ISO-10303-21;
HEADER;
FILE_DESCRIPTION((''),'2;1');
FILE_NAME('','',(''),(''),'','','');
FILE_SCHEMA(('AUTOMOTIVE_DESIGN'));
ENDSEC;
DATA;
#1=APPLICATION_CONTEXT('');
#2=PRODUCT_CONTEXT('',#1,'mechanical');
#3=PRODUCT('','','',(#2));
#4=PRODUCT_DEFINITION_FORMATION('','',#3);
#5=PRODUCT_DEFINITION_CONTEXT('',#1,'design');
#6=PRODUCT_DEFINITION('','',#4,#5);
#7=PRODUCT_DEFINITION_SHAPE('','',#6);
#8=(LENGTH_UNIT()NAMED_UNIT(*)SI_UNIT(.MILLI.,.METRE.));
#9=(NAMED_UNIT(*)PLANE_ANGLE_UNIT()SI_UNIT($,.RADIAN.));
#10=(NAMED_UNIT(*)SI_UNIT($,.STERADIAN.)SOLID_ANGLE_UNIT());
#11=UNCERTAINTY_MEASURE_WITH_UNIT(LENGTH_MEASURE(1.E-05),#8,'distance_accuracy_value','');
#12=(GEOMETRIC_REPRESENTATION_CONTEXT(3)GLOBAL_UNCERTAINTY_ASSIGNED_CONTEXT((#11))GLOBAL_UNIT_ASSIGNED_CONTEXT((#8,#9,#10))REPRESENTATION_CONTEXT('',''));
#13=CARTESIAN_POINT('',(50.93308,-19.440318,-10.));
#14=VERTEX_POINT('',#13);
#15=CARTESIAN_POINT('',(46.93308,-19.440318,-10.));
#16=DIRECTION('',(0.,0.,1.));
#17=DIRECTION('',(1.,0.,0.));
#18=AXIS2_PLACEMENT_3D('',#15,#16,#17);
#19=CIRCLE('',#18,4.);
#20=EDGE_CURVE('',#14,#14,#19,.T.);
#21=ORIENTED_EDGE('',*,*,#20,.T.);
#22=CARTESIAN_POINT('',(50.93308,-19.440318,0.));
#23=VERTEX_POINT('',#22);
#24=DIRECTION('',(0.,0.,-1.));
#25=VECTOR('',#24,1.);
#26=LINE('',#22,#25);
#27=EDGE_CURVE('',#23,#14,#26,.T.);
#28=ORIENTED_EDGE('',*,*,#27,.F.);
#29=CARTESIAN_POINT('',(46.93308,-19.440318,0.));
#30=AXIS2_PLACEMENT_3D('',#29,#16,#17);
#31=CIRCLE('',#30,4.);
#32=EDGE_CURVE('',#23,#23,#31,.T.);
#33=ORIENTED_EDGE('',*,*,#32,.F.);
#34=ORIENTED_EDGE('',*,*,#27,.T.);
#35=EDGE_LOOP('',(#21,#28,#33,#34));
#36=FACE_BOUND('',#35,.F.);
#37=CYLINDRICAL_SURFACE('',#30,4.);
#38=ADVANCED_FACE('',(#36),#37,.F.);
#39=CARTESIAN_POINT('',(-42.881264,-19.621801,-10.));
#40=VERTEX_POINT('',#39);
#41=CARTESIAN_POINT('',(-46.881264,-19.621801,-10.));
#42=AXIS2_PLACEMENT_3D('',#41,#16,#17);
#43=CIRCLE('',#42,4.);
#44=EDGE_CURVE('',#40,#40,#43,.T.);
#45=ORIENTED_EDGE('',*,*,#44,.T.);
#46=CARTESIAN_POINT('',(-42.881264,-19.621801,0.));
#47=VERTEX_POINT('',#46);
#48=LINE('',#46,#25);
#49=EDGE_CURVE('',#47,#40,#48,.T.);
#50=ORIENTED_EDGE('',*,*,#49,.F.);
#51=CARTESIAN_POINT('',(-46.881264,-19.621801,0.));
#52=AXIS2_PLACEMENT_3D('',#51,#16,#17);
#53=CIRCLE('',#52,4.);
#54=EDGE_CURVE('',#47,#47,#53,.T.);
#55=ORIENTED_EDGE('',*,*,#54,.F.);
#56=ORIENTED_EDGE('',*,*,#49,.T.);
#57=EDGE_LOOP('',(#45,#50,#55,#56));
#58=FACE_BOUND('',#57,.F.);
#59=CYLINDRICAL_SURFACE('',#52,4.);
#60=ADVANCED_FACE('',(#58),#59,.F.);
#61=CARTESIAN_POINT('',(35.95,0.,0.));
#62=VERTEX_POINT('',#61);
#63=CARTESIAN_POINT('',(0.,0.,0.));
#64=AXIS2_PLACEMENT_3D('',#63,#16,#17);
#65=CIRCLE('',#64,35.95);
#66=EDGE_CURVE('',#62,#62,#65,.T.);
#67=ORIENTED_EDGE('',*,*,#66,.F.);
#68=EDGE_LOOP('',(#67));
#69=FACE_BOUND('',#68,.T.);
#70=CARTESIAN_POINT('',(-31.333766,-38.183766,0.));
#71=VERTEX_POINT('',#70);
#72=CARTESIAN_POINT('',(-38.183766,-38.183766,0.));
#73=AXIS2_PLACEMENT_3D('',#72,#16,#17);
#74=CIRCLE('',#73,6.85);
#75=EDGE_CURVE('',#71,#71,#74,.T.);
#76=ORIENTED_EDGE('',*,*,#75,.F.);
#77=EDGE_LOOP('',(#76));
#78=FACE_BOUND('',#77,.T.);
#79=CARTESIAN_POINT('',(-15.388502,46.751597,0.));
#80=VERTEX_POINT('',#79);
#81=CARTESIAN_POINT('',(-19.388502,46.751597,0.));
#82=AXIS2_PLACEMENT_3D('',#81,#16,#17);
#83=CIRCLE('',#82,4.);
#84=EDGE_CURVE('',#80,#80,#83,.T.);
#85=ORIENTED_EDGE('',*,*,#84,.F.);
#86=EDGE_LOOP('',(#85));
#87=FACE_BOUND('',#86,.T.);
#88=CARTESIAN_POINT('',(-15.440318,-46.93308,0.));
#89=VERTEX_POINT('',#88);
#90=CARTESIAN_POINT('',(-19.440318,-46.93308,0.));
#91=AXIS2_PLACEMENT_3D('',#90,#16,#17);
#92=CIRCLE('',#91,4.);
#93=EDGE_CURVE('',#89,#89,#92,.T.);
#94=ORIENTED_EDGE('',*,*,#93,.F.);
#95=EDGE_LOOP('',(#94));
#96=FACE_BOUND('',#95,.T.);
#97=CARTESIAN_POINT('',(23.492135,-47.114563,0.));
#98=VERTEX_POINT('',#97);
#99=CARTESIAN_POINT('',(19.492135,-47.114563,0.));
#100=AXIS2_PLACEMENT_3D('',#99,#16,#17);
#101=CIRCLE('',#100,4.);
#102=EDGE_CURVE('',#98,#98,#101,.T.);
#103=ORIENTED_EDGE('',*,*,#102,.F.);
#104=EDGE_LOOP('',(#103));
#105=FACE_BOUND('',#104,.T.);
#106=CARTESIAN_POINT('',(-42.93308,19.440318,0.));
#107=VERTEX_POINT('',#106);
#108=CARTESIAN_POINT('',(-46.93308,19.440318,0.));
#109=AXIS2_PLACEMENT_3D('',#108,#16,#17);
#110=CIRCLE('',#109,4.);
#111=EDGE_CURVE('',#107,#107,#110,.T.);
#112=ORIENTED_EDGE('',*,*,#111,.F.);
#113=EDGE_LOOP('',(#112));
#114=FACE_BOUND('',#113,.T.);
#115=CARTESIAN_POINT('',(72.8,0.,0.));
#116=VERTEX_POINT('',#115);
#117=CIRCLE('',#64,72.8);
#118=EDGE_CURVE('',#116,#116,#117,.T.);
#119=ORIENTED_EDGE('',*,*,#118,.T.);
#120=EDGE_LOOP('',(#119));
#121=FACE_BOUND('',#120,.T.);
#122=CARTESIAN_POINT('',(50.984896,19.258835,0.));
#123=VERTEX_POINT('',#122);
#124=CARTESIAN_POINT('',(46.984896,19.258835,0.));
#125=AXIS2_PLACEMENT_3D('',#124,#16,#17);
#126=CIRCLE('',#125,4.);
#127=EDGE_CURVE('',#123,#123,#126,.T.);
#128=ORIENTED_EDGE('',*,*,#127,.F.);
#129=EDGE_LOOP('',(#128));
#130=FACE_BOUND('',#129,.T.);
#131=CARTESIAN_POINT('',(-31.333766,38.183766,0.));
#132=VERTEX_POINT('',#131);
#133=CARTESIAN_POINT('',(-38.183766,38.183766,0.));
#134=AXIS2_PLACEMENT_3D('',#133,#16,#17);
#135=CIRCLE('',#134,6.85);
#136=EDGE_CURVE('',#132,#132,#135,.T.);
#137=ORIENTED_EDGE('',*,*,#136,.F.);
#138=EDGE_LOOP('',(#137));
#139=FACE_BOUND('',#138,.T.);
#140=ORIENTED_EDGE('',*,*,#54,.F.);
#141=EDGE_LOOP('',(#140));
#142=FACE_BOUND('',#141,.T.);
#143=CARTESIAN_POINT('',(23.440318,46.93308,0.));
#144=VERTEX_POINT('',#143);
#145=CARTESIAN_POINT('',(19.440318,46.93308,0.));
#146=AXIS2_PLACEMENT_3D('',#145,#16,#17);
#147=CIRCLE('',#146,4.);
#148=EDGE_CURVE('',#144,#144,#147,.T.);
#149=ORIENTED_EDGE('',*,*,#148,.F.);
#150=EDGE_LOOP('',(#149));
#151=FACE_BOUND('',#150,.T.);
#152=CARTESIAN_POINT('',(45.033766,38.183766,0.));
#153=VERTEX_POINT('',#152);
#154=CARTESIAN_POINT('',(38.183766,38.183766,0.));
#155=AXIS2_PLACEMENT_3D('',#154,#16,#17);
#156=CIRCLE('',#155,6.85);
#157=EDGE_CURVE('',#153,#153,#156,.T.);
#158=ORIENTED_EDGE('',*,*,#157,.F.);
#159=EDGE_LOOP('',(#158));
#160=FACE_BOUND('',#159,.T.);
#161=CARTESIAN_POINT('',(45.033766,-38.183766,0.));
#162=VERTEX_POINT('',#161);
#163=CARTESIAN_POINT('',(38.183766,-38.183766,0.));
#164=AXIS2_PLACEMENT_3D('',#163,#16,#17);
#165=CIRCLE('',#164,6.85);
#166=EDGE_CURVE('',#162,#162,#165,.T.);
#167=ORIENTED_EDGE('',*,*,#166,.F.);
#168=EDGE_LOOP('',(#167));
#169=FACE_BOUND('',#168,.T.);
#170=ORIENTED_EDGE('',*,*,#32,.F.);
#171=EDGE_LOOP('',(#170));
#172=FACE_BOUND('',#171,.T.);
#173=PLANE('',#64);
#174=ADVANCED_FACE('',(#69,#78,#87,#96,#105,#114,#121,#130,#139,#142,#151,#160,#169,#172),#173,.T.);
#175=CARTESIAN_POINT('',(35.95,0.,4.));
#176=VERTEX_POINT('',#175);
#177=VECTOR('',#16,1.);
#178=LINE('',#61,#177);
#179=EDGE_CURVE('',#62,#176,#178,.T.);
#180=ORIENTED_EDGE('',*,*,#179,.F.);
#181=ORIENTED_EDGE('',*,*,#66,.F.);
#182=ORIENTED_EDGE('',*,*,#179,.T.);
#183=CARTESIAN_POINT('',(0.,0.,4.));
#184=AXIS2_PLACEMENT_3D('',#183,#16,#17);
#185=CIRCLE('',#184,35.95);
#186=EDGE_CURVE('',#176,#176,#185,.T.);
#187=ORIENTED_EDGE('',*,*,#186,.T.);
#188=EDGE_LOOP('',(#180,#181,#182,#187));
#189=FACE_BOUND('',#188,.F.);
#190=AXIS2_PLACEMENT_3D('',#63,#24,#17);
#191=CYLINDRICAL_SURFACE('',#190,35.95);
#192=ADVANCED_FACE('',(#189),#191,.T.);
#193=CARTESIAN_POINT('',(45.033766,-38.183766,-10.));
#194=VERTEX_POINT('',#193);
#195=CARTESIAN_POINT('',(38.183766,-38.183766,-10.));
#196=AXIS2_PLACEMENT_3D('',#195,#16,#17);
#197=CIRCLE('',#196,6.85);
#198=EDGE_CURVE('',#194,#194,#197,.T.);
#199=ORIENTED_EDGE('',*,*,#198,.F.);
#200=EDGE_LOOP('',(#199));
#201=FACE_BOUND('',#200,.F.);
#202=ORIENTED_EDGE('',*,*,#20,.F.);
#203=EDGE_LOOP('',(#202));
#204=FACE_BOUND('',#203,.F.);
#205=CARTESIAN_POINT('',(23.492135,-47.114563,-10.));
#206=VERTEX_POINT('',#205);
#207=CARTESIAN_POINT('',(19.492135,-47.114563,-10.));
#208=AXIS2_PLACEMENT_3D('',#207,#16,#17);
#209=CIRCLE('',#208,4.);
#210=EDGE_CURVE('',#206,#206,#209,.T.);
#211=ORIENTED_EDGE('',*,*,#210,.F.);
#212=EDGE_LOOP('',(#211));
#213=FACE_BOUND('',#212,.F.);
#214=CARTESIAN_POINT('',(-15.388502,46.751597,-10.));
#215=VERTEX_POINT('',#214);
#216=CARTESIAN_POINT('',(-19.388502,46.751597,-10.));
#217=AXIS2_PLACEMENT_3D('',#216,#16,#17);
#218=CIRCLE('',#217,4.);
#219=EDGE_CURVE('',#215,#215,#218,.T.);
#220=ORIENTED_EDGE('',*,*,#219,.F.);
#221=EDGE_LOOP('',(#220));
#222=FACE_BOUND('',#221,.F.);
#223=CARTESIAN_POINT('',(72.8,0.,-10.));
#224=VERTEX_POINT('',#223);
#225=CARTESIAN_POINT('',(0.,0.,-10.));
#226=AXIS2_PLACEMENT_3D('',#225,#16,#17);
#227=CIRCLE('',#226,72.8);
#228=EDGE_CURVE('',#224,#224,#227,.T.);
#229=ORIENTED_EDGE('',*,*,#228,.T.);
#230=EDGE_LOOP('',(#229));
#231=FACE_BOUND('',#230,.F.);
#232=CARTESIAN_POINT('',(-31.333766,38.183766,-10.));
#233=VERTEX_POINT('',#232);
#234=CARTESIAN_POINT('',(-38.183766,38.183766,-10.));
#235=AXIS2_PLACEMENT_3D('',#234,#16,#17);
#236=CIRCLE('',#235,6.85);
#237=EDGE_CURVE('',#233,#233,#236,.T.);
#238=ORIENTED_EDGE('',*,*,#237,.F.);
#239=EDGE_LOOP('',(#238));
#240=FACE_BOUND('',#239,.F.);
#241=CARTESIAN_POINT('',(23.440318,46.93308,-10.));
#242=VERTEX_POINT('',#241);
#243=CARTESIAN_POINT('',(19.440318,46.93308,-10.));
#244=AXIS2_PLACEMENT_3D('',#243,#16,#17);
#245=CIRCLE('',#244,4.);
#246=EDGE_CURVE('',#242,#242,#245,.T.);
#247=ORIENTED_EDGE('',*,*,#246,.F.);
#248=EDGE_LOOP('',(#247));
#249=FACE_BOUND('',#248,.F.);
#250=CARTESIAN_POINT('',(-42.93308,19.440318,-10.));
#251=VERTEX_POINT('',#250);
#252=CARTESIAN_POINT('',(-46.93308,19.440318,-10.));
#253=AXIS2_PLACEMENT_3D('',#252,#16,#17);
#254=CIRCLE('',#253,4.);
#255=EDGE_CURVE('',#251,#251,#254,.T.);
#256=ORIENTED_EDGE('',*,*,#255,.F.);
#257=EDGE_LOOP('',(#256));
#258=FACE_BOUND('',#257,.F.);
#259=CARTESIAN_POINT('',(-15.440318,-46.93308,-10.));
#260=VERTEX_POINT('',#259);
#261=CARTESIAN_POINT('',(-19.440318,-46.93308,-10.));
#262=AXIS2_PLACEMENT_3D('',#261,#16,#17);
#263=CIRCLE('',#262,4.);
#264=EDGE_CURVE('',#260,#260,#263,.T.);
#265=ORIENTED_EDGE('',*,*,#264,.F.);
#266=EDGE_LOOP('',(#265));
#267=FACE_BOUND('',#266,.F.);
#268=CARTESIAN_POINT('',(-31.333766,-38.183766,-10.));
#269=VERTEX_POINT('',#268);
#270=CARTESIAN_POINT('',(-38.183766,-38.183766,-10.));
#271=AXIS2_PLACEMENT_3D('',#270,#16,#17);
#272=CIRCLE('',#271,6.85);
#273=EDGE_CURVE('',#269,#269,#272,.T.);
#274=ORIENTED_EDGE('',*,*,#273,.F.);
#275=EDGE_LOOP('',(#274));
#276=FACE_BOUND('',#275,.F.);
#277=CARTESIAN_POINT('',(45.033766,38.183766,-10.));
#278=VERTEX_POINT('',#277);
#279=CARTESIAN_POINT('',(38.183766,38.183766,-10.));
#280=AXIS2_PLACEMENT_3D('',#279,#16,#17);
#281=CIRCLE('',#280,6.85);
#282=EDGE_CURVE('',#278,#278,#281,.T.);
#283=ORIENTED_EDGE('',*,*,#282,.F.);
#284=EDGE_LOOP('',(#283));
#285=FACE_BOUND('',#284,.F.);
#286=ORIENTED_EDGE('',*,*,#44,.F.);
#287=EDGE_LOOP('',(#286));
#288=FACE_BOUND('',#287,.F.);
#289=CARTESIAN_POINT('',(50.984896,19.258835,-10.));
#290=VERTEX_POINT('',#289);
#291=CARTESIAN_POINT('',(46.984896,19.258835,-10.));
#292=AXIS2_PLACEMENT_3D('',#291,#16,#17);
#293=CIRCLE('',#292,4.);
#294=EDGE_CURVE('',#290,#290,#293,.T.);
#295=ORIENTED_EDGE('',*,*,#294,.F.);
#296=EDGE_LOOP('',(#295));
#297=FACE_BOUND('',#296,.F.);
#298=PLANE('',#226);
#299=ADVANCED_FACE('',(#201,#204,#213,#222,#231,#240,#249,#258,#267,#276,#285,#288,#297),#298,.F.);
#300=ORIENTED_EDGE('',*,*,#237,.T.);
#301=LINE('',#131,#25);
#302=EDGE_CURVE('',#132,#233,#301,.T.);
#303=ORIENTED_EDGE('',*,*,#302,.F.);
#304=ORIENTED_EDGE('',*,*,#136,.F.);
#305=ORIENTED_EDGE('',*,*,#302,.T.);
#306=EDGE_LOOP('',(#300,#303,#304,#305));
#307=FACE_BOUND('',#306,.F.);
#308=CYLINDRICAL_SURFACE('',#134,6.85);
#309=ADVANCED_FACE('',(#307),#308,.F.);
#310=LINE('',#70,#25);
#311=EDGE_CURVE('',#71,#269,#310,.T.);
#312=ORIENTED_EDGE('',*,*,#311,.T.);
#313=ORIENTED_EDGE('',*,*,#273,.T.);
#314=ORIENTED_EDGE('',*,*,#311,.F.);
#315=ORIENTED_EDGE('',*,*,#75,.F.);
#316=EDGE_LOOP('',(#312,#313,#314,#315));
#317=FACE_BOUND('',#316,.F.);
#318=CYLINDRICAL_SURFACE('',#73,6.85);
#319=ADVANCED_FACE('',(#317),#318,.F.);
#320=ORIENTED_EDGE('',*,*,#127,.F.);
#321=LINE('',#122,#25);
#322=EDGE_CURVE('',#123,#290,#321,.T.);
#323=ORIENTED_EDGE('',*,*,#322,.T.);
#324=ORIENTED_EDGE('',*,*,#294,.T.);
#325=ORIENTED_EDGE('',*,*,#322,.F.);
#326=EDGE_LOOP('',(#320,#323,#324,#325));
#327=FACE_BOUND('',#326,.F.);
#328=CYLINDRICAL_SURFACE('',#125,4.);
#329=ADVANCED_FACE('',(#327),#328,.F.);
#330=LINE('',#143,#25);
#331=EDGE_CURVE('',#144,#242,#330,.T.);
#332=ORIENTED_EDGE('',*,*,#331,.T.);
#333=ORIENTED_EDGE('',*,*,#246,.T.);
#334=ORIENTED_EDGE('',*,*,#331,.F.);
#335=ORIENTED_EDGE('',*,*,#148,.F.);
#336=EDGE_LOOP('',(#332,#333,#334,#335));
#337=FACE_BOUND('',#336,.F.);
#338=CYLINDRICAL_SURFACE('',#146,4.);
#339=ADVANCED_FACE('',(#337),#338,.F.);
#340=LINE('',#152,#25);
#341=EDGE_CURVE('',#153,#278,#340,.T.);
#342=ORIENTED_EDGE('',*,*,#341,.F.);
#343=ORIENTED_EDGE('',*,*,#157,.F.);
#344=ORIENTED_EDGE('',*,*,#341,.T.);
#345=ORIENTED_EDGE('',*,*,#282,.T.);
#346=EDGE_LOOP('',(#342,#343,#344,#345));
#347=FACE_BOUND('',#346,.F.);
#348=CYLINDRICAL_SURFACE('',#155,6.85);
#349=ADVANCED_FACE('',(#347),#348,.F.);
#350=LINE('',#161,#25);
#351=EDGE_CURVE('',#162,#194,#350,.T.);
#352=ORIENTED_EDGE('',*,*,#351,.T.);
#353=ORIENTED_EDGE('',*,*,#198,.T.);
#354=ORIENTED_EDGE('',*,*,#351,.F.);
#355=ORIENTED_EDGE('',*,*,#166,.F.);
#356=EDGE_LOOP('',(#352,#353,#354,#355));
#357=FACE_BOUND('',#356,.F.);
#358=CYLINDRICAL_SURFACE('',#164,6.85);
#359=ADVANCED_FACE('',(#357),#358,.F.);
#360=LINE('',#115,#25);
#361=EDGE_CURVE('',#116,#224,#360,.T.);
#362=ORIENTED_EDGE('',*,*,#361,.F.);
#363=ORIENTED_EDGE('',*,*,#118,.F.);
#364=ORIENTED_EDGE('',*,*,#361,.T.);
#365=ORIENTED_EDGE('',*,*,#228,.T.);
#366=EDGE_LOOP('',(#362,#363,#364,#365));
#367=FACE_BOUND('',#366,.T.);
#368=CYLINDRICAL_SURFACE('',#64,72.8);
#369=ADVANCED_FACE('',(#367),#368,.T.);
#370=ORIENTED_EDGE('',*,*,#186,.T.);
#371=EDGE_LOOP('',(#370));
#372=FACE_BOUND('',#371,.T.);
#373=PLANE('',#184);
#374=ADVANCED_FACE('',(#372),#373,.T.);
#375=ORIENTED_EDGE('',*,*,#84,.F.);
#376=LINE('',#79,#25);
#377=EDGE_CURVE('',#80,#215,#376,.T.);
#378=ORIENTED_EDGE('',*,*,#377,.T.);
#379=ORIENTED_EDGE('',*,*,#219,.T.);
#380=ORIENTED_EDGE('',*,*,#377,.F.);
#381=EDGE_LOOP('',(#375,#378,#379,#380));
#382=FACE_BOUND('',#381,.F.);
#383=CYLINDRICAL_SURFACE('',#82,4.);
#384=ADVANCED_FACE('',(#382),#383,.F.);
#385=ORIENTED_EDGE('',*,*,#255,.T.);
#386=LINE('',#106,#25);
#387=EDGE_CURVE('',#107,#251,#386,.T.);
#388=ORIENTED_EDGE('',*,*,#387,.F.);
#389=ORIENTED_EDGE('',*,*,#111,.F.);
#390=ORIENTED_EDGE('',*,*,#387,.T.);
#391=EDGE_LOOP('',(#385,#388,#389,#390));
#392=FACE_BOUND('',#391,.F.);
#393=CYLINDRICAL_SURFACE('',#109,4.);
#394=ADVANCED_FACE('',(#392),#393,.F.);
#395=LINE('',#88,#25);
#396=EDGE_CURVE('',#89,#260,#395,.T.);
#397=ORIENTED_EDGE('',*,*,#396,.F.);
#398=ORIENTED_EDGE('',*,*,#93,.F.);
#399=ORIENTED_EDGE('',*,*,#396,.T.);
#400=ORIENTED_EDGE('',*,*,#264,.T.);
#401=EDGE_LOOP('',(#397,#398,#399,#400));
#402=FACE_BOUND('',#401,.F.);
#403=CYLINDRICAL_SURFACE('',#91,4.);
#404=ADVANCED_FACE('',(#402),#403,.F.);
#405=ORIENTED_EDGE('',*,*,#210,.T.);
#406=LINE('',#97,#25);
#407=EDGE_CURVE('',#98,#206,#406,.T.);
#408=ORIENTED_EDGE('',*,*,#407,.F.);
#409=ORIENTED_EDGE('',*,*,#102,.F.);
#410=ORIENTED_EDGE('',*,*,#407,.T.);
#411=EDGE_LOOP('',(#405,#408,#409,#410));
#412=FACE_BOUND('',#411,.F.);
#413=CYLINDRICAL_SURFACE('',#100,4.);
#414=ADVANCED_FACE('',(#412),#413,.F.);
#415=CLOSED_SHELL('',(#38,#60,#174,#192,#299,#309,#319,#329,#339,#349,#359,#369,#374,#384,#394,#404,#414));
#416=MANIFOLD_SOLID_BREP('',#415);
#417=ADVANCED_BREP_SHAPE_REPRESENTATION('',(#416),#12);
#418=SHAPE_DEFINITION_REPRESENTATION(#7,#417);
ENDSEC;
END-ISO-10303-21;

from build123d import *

# Parameters (mm, degrees)
F0_R     = 72.8
F0_R_2   = 6.85
F0_R_3   = 4
F0_R_4   = 35.95
F1_DEPTH = 10
F2_DEPTH = 4


with BuildPart() as f1:
    # F0 (on Top) → F1 (new body)
    with BuildSketch(Plane.XY):
        Circle(F0_R)
        with Locations((-38.183766, -38.183766)):
            Circle(F0_R_2, mode=Mode.SUBTRACT)
        with Locations((-19.440318, -46.93308)):
            Circle(F0_R_3, mode=Mode.SUBTRACT)
        with Locations((-46.881264, -19.621801)):
            Circle(F0_R_3, mode=Mode.SUBTRACT)
        Circle(F0_R_4, mode=Mode.SUBTRACT)
        with Locations((19.492135, -47.114563)):
            Circle(F0_R_3, mode=Mode.SUBTRACT)
        with Locations((38.183766, -38.183766)):
            Circle(F0_R_2, mode=Mode.SUBTRACT)
        with Locations((46.93308, -19.440318)):
            Circle(F0_R_3, mode=Mode.SUBTRACT)
        with Locations((-46.93308, 19.440318)):
            Circle(F0_R_3, mode=Mode.SUBTRACT)
        with Locations((-38.183766, 38.183766)):
            Circle(F0_R_2, mode=Mode.SUBTRACT)
        with Locations((-19.388502, 46.751597)):
            Circle(F0_R_3, mode=Mode.SUBTRACT)
        with Locations((46.984896, 19.258835)):
            Circle(F0_R_3, mode=Mode.SUBTRACT)
        with Locations((19.440318, 46.93308)):
            Circle(F0_R_3, mode=Mode.SUBTRACT)
        with Locations((38.183766, 38.183766)):
            Circle(F0_R_2, mode=Mode.SUBTRACT)
        Circle(F0_R_4)
    extrude(amount=-F1_DEPTH)

    # F0 (on Top) → F2 (join)
    with BuildSketch(Plane.XY):
        Circle(F0_R_4)
    extrude(amount=F2_DEPTH)


solid = f1.part
